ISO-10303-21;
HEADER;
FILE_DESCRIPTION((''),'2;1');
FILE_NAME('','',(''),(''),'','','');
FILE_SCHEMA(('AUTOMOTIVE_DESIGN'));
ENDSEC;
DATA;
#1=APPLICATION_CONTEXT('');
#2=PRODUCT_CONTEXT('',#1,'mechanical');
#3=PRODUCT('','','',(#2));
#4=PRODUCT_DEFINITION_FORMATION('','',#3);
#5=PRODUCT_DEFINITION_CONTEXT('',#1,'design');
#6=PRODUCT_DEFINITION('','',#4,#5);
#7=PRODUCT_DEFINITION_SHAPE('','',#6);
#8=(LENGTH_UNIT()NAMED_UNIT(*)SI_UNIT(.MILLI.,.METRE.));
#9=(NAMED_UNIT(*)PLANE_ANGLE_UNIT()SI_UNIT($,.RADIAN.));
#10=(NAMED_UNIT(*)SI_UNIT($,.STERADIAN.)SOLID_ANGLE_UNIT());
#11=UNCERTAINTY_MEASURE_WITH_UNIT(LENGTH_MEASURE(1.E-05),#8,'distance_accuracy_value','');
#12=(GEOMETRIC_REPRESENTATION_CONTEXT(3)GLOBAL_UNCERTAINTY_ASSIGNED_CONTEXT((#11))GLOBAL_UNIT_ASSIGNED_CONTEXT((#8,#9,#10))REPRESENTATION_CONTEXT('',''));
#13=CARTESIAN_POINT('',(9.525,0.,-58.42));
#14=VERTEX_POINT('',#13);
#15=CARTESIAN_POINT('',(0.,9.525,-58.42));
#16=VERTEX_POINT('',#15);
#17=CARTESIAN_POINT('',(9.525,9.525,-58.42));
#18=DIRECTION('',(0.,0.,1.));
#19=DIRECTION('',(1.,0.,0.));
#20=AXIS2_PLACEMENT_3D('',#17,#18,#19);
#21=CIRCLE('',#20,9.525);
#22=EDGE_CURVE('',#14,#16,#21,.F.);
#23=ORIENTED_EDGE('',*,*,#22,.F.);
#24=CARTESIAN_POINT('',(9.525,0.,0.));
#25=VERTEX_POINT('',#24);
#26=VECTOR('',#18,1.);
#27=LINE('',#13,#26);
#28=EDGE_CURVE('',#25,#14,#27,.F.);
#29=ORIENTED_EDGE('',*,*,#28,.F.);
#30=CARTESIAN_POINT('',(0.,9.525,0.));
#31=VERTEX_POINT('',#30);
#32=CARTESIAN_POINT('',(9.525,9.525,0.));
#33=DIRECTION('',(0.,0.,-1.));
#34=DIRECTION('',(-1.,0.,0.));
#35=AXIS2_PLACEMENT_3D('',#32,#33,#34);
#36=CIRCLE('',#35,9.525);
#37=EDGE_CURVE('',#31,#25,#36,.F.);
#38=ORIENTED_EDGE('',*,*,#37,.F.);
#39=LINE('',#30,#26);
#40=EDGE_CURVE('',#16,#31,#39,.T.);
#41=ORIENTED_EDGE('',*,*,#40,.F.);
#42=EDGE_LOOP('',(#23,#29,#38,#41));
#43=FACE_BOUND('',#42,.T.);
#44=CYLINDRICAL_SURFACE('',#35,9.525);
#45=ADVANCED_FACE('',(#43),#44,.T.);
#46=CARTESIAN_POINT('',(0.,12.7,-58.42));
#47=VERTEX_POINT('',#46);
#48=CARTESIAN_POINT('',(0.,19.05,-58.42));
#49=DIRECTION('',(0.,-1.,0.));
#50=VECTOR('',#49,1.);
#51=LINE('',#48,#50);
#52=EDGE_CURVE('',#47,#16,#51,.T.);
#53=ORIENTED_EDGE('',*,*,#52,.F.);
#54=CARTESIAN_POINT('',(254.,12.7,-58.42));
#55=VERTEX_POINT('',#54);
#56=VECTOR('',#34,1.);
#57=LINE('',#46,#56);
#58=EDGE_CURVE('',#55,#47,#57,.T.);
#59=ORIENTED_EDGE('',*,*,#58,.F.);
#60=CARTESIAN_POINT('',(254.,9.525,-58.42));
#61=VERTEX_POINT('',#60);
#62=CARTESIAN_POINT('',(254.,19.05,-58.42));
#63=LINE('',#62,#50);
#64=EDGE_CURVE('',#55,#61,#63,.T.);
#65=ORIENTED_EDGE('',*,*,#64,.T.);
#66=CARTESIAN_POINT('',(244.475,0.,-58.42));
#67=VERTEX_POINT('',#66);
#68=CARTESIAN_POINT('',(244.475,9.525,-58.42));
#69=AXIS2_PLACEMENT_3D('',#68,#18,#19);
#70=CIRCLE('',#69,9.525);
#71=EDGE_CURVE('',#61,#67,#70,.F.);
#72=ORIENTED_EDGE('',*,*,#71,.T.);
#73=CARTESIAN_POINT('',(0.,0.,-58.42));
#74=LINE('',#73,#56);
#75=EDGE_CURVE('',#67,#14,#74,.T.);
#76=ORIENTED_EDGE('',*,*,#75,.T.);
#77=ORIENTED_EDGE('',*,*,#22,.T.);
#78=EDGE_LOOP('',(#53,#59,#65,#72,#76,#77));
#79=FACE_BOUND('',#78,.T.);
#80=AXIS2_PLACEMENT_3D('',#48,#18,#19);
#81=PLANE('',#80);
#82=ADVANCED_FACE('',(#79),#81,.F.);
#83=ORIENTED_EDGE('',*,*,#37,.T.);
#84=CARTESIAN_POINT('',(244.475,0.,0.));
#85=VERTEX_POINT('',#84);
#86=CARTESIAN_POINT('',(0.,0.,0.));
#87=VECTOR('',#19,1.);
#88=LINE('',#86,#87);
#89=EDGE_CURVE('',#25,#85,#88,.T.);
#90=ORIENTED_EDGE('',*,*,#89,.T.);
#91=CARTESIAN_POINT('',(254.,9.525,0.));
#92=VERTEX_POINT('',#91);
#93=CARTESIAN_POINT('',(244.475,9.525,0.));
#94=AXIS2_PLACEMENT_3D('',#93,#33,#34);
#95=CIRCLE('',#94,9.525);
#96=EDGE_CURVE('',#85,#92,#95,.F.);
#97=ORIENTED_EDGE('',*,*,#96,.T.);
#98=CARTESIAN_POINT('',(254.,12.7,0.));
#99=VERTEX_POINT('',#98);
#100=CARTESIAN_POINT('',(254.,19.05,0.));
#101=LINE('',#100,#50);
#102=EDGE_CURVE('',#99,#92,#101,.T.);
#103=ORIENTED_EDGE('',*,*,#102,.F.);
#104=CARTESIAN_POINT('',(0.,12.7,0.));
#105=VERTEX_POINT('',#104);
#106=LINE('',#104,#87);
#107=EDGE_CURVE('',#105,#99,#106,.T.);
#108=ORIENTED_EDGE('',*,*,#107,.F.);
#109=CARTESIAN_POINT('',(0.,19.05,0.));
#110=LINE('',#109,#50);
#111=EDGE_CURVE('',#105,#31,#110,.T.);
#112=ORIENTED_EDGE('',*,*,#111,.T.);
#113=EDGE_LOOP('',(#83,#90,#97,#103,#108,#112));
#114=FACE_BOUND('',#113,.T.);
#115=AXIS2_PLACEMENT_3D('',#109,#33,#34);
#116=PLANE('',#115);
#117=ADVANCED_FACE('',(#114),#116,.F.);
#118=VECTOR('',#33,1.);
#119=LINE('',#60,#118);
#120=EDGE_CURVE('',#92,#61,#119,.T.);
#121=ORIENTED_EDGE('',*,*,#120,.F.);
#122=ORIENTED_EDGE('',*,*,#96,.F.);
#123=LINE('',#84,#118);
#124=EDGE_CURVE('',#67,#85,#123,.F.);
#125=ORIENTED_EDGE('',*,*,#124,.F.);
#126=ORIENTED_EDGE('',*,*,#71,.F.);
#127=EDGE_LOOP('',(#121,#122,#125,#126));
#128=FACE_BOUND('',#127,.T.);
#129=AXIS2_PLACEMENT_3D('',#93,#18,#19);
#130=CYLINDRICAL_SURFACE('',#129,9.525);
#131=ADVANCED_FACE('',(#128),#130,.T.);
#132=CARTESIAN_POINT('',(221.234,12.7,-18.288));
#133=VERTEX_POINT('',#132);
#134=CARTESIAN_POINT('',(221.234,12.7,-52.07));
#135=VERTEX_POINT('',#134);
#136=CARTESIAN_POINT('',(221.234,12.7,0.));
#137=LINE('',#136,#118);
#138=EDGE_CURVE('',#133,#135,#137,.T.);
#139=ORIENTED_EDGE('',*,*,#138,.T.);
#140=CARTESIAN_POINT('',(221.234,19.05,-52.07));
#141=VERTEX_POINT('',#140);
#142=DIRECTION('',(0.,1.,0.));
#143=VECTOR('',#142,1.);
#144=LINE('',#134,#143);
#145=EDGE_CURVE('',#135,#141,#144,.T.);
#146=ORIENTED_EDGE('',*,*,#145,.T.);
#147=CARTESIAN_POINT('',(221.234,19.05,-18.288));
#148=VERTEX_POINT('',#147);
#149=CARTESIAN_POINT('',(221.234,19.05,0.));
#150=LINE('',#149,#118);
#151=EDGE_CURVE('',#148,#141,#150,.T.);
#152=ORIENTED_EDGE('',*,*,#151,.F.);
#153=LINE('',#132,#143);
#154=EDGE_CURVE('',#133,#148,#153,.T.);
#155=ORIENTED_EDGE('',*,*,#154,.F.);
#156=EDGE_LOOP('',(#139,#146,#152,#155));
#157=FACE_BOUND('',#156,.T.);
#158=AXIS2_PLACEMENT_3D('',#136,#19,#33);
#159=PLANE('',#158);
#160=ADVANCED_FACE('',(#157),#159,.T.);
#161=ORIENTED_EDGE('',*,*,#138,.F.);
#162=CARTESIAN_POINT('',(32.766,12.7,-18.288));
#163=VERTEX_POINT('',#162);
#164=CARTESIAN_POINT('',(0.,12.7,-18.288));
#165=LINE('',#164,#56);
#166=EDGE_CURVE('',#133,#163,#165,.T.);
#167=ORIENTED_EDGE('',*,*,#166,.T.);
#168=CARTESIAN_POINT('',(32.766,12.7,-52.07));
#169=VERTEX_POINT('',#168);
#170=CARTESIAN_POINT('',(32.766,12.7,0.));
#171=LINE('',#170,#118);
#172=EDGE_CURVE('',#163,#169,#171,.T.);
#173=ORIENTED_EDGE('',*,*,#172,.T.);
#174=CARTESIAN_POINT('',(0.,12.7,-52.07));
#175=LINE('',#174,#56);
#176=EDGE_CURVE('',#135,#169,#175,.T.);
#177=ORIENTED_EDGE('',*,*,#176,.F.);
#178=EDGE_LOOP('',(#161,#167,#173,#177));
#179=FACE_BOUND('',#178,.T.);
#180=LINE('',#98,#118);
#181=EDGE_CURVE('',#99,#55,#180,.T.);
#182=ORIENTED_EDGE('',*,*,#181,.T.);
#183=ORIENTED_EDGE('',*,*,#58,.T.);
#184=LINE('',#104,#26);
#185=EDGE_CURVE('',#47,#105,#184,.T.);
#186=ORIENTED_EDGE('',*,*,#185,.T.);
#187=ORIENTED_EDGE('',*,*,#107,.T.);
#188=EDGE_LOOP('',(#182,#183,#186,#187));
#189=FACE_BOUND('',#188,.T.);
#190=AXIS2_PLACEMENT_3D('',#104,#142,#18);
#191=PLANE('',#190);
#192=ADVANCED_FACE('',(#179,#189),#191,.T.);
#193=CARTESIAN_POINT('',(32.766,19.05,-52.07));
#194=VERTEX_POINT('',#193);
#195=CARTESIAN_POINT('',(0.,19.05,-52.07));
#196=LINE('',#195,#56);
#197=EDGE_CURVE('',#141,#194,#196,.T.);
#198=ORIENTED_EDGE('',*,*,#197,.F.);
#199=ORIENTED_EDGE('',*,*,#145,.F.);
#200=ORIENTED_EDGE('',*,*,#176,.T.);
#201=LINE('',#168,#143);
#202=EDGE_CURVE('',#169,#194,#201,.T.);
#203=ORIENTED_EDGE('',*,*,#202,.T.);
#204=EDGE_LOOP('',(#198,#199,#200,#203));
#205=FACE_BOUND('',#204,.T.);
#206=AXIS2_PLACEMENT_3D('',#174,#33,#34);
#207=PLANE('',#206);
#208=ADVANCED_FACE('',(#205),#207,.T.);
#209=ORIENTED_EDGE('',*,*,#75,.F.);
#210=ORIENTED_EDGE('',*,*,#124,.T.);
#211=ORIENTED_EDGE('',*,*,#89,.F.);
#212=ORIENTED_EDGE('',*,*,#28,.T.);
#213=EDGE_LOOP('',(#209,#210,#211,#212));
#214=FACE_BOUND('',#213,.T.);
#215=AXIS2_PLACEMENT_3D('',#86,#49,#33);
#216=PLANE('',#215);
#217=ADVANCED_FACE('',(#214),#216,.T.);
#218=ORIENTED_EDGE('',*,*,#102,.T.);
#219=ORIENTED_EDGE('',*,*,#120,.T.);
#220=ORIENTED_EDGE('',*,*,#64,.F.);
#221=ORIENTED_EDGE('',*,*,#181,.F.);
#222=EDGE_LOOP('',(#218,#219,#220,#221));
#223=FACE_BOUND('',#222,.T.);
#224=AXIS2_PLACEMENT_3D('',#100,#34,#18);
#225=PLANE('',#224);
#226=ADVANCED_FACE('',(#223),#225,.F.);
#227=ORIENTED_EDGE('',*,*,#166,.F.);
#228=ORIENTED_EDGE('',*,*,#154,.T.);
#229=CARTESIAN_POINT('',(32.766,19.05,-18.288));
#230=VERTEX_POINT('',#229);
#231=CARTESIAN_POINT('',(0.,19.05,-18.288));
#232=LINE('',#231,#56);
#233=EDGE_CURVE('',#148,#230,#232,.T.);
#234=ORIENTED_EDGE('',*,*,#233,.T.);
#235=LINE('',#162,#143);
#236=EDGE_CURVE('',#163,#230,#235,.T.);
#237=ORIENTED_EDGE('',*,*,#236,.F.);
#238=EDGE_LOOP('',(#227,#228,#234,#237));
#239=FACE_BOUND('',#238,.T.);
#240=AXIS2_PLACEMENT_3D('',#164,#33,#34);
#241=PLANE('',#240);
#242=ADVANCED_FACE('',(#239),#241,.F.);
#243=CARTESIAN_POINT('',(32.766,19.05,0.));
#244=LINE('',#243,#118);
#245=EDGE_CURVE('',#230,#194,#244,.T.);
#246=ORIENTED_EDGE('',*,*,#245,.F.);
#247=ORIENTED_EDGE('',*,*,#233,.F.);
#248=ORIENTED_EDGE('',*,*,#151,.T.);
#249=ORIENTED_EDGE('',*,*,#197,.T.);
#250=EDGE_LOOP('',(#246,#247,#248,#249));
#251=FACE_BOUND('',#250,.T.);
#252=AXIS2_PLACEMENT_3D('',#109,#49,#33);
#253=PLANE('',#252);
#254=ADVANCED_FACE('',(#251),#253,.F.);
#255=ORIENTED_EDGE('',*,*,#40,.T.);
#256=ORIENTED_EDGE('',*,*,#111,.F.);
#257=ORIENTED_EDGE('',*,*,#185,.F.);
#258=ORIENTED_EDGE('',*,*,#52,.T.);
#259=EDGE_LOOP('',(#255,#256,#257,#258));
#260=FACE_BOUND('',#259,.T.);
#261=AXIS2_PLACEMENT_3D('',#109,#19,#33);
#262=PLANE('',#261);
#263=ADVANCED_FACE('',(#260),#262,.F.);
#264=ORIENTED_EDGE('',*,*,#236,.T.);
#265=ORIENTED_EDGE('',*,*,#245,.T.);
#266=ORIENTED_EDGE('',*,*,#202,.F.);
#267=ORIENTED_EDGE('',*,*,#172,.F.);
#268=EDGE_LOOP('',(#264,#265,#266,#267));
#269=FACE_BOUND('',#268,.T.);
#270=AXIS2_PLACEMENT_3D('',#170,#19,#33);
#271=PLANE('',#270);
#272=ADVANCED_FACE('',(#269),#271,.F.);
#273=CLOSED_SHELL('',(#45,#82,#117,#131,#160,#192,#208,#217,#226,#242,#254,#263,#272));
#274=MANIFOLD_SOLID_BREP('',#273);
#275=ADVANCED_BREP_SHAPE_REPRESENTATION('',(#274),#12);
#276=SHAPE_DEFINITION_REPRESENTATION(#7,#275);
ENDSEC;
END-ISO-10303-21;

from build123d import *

# Parameters (mm, degrees)
SKETCH1_W           = 254
SKETCH1_H           = 58.42
BOSS_EXTRUDE1_DEPTH = 19.05
CUT_EXTRUDE1_DEPTH  = 6.35
FILLET1_R           = 9.525


with BuildPart() as part:
    # Sketch1 → Boss-Extrude1 (new body)
    with BuildSketch(Plane(origin=(0, 0, 0), x_dir=(1, 0, 0), z_dir=(0, 1, 0))):
        with Locations((127, 29.21)):
            Rectangle(SKETCH1_W, SKETCH1_H)
    extrude(amount=BOSS_EXTRUDE1_DEPTH)

    # Sketch2 → Cut-Extrude1 (cut)
    with BuildSketch(Plane(origin=(0, 19.05, 0), x_dir=(1, 0, 0), z_dir=(0, 1, 0))):
        Polygon((221.234, 52.07), (221.234, 18.288), (127, 18.288), (127, 0), (254, 0), (254, 58.42), (127, 58.42), (127, 52.07), align=None)
        Polygon((127, 0), (127, 18.288), (32.766, 18.288), (32.766, 52.07), (127, 52.07), (127, 58.42), (0, 58.42), (0, 0), align=None)
    extrude(amount=-CUT_EXTRUDE1_DEPTH, mode=Mode.SUBTRACT)

    # Fillet1
    fillet1_edges = [part.edges().sort_by_distance(p)[0] for p in [
        (254, 0, -29.21),
        (0, 0, -29.21),
    ]]
    fillet(fillet1_edges, radius=FILLET1_R)


solid = part.part
